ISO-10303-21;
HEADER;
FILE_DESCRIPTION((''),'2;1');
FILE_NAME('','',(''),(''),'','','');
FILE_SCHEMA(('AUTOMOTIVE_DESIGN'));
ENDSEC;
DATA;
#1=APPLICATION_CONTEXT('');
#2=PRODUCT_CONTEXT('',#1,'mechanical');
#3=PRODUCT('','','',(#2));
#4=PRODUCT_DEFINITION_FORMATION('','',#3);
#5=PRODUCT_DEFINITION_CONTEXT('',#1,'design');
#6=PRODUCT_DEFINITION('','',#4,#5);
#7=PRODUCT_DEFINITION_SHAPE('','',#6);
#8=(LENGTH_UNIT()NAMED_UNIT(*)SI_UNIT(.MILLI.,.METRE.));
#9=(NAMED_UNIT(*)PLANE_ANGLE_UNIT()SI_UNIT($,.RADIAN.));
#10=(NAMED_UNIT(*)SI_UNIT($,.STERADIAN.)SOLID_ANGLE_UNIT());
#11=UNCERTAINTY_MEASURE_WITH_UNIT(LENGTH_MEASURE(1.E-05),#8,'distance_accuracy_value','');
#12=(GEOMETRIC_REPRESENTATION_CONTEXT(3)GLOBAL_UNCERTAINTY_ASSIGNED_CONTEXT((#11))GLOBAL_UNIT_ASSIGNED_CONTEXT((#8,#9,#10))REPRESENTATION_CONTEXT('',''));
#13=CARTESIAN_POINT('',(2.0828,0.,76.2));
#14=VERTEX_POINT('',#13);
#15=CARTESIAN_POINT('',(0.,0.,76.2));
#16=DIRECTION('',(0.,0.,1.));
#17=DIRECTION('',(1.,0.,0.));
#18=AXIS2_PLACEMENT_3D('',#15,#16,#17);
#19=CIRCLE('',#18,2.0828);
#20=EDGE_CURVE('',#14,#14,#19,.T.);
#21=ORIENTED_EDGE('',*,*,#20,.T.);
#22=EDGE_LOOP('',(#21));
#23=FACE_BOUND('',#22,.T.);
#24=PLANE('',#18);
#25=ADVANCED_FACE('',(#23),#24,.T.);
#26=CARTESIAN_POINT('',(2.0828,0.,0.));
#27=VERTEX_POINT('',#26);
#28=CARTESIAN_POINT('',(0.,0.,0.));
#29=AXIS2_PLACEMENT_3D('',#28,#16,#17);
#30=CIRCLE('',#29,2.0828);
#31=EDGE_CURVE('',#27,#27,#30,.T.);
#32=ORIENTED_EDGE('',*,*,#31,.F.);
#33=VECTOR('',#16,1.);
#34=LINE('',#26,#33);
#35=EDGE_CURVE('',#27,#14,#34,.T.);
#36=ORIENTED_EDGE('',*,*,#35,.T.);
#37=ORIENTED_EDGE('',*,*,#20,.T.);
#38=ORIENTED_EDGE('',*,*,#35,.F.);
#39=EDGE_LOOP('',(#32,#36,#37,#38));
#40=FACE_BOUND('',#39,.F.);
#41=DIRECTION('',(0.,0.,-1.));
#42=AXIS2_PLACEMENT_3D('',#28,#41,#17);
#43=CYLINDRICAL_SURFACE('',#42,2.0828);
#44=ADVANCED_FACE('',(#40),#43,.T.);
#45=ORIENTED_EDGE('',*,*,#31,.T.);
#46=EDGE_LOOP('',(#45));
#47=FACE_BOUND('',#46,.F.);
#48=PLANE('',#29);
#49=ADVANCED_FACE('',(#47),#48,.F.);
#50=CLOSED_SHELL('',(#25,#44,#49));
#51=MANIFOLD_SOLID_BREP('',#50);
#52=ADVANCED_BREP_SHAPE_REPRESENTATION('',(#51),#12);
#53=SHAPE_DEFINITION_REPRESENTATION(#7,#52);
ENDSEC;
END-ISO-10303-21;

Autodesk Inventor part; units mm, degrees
ref_plane "YZ Plane" through (0, 0, 0) normal (1, 0, 0) x (0, 1, 0)
ref_plane "XZ Plane" through (0, 0, 0) normal (0, 1, 0) x (-1, 0, 0)
ref_plane "XY Plane" through (0, 0, 0) normal (0, 0, 1) x (1, 0, 0)
sketch "Sketch1" plane through (0, 0, 0) normal (0, 0, 1) x (1, 0, 0)
  circle A0 centre (0, 0) radius 2.0828
  dimension "d0" = 4.1656
extrude "Extrusion1" add sketch "Sketch1" along normal blind 76.2
thread "Thread1" size "8-32 UNC" class "2A" standard "ANSI Unified Screw Threads" full length
sketch "Sketch2" plane through (0, 0, 0) normal (0, 0, -1) x (-1, 0, 0)
  point P0 (0, 0)
properties part number "Threaded Rod"
